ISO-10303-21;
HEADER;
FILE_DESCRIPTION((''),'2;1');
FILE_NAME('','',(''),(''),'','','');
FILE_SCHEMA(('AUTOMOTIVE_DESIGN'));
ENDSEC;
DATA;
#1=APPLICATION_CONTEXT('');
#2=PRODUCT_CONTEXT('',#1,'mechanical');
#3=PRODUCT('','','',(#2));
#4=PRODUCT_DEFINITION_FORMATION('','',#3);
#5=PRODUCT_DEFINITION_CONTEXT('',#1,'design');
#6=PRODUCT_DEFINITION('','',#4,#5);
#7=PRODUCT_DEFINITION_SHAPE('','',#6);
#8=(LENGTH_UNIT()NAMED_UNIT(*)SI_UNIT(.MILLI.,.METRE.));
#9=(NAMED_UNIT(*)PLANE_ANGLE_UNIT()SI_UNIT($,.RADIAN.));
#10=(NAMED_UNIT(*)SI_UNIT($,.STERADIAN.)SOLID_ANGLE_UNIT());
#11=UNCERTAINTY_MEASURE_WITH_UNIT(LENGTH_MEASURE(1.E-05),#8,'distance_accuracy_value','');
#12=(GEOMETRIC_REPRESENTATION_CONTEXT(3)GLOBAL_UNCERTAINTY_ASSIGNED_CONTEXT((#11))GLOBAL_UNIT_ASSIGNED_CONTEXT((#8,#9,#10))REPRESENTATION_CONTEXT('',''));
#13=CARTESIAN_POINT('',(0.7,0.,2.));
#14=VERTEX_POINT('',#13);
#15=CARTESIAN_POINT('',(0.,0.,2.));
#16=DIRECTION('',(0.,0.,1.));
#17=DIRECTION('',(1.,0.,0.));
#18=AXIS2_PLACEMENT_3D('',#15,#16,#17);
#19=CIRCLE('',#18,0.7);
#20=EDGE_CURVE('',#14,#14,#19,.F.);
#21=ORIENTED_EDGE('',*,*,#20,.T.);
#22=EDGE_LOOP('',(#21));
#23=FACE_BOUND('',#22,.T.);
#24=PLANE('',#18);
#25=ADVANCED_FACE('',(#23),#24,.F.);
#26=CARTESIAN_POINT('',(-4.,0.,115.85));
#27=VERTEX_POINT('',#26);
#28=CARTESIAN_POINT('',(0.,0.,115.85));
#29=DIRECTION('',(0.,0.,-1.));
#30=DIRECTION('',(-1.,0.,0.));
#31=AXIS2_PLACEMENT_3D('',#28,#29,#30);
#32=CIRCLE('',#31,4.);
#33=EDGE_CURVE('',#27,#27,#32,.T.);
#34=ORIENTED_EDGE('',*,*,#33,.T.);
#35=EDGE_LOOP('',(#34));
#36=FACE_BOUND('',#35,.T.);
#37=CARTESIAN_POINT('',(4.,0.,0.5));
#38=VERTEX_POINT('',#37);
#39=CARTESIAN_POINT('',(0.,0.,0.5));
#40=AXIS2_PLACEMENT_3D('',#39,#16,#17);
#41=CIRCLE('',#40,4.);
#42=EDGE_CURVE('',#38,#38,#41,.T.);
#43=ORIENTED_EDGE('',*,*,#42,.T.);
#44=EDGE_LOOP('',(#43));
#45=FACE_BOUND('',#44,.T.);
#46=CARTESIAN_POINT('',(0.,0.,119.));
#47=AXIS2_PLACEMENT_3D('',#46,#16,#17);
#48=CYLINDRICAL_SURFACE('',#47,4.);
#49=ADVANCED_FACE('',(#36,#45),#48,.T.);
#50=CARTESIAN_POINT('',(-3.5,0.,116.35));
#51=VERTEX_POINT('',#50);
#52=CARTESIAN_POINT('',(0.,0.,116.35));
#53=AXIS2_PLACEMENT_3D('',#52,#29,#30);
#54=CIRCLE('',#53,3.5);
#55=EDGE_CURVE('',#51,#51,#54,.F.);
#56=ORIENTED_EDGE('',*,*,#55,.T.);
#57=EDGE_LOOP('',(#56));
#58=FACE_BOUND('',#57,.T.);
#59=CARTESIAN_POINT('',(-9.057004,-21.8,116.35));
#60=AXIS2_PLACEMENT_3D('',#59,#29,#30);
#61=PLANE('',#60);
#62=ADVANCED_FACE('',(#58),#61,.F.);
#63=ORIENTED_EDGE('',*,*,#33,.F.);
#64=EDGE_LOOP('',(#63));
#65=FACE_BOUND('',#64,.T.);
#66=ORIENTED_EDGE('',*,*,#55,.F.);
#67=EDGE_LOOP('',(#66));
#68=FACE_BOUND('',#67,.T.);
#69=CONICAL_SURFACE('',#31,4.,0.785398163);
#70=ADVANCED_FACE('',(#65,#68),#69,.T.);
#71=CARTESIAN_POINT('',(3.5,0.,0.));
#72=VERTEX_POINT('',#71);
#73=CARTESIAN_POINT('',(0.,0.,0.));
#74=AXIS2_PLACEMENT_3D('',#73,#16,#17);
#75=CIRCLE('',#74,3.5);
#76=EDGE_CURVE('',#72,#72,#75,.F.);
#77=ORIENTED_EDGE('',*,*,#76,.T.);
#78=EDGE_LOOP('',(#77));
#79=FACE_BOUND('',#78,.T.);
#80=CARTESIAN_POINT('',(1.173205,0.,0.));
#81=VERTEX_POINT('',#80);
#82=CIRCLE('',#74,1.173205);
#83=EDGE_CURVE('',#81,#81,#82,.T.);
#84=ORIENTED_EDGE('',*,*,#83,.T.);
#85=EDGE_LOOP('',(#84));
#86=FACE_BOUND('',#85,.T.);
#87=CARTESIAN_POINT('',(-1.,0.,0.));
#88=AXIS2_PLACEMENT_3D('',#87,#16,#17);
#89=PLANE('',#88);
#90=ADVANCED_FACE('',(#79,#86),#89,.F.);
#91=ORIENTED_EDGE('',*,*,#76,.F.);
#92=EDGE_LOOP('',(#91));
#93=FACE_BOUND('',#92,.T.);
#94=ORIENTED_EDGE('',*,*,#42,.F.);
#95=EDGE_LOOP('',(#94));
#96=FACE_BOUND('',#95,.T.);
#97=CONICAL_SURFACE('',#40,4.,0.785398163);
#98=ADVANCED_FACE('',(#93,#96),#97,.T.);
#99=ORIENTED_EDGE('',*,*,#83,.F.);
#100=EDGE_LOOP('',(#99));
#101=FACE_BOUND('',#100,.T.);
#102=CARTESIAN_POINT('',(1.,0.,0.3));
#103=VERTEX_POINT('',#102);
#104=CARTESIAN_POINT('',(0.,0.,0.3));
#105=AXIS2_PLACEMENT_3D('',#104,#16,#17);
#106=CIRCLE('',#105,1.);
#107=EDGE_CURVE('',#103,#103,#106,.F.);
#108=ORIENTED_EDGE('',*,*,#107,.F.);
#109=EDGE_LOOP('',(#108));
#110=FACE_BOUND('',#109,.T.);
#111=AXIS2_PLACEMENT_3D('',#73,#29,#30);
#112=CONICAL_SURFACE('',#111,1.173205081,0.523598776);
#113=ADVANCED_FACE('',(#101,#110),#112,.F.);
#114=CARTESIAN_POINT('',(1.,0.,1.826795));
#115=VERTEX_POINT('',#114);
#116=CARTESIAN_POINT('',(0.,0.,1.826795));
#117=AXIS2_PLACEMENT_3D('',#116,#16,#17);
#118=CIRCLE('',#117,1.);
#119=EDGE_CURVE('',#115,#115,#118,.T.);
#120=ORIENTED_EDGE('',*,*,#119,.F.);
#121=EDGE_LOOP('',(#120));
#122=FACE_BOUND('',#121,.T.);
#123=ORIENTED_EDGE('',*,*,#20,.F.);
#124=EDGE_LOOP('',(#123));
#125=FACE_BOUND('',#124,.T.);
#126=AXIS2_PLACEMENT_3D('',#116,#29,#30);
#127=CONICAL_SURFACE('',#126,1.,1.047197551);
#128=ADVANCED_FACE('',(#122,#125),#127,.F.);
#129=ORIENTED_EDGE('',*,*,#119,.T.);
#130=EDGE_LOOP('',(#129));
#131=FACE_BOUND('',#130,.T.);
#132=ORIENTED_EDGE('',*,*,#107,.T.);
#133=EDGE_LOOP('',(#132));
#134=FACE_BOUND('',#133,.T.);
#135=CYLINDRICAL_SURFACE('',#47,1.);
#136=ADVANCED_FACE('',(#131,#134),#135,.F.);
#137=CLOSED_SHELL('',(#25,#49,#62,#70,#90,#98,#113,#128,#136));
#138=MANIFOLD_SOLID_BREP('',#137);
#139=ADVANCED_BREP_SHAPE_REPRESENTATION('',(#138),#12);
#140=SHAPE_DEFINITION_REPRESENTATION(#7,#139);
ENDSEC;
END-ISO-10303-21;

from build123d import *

# Parameters (mm, degrees)
CHAMFER1_SIZE         = 0.5
CHAMFER2_SIZE         = 0.3
CHAMFER2_SIZE2        = 0.173205081
CHAMFER2_PART_2_SIZE  = 0.3
CHAMFER2_PART_2_SIZE2 = 0.173205081
CHAMFER2_PART_3_SIZE  = 0.3
CHAMFER2_PART_3_SIZE2 = 0.173205081
CHAMFER2_PART_4_SIZE  = 0.3
CHAMFER2_PART_4_SIZE2 = 0.173205081
SKETCH2_W             = 23.197150539
SKETCH2_H             = 11.802059046
CUT_EXTRUDE1_DEPTH    = 50
CHAMFER3_SIZE         = 0.5


with BuildPart() as part:
    # Sketch1 → Revolve1 (revolve)
    with BuildSketch(Plane(origin=(0, 0, 0), x_dir=(1, 0, 0), z_dir=(0, 1, 0))):
        Polygon((-1, 0), (-4, 0), (-4, -121), (-1, -121), (-1, -119), (0, -119), (0, -2), (-1, -2), align=None)
    revolve(axis=Axis((0, 0, 119), (0, 0, -1)))

    # Chamfer1
    chamfer1_edges = [part.edges().sort_by_distance(p)[0] for p in [
        (4, 0, 121),
        (4, 0, 0),
    ]]
    chamfer(chamfer1_edges, length=CHAMFER1_SIZE)

    # Chamfer2
    chamfer2_edges = [part.edges().sort_by_distance(p)[0] for p in [
        (1, 0, 2),
    ]]
    chamfer2_side = [part.faces().sort_by_distance(p)[0] for p in [
        (0, 0, 2),
    ]]
    chamfer(chamfer2_edges, length=CHAMFER2_SIZE, length2=CHAMFER2_SIZE2, reference=chamfer2_side[0])

    # Chamfer2 part 2
    chamfer2_part_2_edges = [part.edges().sort_by_distance(p)[0] for p in [
        (1, 0, 119),
    ]]
    chamfer2_part_2_side = [part.faces().sort_by_distance(p)[0] for p in [
        (1, 0, 120),
    ]]
    chamfer(chamfer2_part_2_edges, length=CHAMFER2_PART_2_SIZE, length2=CHAMFER2_PART_2_SIZE2, reference=chamfer2_part_2_side[0])

    # Chamfer2 part 3
    chamfer2_part_3_edges = [part.edges().sort_by_distance(p)[0] for p in [
        (1, 0, 121),
    ]]
    chamfer2_part_3_side = [part.faces().sort_by_distance(p)[0] for p in [
        (3.401005051, 0, 121),
    ]]
    chamfer(chamfer2_part_3_edges, length=CHAMFER2_PART_3_SIZE, length2=CHAMFER2_PART_3_SIZE2, reference=chamfer2_part_3_side[0])

    # Chamfer2 part 4
    chamfer2_part_4_edges = [part.edges().sort_by_distance(p)[0] for p in [
        (1, 0, 0),
    ]]
    chamfer2_part_4_side = [part.faces().sort_by_distance(p)[0] for p in [
        (1, 0, 1),
    ]]
    chamfer(chamfer2_part_4_edges, length=CHAMFER2_PART_4_SIZE, length2=CHAMFER2_PART_4_SIZE2, reference=chamfer2_part_4_side[0])

    # Sketch2 → Cut-Extrude1 (cut)
    with BuildSketch(Plane(origin=(0, 28.2, 0), x_dir=(1, 0, 0), z_dir=(0, 1, 0))):
        with Locations((2.541571207, -122.251029523)):
            Rectangle(SKETCH2_W, SKETCH2_H)
    extrude(amount=-CUT_EXTRUDE1_DEPTH, mode=Mode.SUBTRACT)

    # Chamfer3
    chamfer3_edges = [part.edges().sort_by_distance(p)[0] for p in [
        (4, 0, 116.35),
    ]]
    chamfer(chamfer3_edges, length=CHAMFER3_SIZE)


solid = part.part
